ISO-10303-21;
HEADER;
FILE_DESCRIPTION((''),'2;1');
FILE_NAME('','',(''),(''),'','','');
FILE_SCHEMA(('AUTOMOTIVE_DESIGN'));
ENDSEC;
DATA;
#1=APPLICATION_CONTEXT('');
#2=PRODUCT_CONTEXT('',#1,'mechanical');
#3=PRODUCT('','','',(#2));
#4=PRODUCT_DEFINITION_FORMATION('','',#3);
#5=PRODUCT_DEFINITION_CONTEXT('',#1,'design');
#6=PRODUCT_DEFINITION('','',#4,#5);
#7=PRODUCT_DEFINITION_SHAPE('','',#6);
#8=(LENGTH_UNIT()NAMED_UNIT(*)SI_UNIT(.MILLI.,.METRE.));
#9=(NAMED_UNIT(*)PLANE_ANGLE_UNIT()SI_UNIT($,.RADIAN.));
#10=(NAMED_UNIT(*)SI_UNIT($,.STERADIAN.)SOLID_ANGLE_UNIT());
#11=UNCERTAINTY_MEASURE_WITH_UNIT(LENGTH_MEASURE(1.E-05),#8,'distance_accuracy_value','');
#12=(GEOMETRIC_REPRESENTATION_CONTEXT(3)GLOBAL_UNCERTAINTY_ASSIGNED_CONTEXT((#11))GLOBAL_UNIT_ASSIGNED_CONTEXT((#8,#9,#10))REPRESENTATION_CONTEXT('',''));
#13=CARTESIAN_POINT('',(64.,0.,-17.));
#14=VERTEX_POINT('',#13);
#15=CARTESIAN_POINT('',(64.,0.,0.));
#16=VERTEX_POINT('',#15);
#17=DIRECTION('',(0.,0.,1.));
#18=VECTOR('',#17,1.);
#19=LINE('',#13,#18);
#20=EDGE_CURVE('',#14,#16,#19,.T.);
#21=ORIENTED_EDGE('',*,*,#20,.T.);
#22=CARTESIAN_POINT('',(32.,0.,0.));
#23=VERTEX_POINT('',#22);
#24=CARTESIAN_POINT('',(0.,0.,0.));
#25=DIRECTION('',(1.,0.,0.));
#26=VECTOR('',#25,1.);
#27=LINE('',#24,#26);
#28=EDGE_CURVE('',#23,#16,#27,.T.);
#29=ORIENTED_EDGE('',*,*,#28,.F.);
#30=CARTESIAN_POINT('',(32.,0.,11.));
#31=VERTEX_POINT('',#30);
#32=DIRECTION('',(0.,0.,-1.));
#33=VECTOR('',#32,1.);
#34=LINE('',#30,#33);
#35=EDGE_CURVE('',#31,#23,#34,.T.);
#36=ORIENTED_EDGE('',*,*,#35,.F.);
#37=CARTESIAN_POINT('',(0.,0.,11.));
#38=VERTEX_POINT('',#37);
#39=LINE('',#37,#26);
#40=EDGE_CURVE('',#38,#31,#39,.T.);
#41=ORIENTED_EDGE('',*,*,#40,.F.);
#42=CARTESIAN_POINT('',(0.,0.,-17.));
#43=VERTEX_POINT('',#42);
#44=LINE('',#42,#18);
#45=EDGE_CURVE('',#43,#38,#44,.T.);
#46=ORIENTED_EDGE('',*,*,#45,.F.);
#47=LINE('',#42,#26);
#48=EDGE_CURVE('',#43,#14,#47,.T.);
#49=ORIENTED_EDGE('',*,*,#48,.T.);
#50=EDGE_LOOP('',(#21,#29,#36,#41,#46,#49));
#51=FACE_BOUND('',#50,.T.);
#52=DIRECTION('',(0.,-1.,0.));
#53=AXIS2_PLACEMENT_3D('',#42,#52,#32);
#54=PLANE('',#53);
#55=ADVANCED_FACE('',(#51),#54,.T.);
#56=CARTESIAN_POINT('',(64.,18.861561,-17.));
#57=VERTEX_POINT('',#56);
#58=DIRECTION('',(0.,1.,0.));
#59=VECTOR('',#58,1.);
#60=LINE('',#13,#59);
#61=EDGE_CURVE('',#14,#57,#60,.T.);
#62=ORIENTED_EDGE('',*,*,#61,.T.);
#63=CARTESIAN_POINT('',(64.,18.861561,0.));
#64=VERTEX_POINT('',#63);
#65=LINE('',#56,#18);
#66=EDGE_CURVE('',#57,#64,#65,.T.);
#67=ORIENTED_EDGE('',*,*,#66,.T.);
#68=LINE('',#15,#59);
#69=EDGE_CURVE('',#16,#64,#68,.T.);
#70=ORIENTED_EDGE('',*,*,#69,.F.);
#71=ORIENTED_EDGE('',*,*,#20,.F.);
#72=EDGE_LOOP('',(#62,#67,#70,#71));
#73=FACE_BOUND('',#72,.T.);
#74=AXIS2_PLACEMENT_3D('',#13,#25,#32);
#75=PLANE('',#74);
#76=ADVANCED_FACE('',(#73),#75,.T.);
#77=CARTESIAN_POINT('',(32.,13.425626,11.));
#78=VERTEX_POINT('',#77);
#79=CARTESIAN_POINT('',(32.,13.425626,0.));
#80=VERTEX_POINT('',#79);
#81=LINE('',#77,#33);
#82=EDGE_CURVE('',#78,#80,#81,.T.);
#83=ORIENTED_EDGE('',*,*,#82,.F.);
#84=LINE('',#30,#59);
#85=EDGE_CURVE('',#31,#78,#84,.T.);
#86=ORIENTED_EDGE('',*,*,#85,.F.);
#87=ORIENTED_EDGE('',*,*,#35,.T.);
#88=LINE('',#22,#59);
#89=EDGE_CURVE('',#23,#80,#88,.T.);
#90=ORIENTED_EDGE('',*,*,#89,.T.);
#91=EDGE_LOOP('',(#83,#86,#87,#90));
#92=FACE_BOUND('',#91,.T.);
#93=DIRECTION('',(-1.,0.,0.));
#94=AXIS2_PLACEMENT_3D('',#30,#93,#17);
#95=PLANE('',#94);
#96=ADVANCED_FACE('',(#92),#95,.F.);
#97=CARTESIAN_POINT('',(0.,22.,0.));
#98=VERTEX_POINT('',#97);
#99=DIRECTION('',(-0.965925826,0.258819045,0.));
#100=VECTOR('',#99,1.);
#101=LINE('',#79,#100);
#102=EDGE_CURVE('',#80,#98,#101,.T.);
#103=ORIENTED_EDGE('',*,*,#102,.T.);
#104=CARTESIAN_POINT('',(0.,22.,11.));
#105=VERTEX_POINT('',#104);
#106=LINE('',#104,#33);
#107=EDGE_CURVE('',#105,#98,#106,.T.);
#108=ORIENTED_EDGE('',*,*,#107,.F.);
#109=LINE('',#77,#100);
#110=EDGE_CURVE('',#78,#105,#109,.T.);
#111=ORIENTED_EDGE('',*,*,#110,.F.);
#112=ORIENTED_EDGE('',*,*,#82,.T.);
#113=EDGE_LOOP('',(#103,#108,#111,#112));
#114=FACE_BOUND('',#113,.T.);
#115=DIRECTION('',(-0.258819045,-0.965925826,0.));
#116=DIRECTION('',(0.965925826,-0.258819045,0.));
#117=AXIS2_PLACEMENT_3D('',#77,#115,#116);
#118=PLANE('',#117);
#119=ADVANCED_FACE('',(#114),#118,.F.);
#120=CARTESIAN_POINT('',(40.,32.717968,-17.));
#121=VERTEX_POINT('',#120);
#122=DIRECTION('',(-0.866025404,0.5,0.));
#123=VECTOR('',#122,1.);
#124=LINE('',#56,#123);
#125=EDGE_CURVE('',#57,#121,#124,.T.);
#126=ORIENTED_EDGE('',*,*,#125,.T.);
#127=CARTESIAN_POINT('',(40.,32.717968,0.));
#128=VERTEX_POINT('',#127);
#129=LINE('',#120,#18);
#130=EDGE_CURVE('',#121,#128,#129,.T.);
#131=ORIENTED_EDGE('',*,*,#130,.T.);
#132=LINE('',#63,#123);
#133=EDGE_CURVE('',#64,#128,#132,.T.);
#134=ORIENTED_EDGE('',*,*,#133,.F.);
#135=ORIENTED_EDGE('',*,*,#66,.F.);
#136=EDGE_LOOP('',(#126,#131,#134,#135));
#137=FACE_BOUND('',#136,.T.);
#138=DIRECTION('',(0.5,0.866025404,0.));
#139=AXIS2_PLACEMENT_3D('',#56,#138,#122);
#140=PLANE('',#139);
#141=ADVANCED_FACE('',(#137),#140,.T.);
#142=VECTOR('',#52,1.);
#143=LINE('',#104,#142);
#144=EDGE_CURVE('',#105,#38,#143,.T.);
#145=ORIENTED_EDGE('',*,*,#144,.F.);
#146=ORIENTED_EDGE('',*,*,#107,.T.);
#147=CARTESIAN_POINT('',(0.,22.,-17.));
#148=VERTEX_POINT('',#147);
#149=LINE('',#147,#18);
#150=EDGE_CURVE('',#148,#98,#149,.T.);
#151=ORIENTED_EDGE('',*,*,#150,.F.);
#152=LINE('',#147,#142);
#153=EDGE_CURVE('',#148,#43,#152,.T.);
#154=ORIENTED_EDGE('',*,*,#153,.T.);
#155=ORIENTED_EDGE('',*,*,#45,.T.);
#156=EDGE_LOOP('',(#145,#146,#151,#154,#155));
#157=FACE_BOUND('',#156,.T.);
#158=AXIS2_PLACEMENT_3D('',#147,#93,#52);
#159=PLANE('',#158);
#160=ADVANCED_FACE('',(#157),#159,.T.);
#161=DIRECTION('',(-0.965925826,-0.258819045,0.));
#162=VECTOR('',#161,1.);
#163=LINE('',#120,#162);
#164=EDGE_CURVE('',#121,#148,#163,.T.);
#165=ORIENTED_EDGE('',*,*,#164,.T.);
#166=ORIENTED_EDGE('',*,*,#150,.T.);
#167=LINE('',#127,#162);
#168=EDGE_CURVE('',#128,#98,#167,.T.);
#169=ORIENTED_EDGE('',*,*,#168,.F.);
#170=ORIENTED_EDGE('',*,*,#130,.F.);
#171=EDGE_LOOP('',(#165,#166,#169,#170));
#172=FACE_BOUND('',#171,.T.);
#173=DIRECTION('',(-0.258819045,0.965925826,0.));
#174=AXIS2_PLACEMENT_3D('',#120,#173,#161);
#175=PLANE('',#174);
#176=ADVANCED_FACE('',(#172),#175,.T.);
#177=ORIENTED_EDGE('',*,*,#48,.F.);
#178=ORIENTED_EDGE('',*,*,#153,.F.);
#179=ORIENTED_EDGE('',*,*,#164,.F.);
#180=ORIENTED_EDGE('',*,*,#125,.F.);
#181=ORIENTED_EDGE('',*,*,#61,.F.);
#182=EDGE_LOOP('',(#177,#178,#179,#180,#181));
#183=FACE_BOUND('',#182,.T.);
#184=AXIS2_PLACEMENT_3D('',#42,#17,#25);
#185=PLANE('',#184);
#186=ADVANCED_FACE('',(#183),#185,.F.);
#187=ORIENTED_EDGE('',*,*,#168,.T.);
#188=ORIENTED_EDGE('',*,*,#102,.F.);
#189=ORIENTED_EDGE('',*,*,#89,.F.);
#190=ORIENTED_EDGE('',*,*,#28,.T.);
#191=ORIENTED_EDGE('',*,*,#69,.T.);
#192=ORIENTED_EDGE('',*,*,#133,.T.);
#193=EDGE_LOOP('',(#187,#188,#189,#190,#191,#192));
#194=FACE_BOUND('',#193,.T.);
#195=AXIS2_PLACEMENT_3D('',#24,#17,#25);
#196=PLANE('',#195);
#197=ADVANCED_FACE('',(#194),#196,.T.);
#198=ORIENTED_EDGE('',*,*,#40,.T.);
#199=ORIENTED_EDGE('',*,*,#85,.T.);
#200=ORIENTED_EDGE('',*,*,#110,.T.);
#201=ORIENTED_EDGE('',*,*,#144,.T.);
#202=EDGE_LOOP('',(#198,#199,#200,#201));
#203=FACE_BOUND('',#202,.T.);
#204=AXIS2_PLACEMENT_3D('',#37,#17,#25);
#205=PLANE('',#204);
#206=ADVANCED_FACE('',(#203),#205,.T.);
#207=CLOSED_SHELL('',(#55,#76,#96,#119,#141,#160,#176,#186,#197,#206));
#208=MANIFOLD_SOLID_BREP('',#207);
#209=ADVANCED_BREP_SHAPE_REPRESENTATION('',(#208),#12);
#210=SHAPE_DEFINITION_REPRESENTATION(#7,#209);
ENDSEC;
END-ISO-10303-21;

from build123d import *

# Parameters (mm, degrees)
EXTRUDE_3_DEPTH = 17
EXTRUDE_4_DEPTH = 11


with BuildPart() as part:
    # 草圖3 → 填料-伸長3 (new body)
    with BuildSketch(Plane.XY):
        Polygon((0, 0), (64, 0), (64, 18.861561237), (40, 32.717967697), (0, 22), align=None)
    extrude(amount=-EXTRUDE_3_DEPTH)

    # 草圖4 → 填料-伸長4 (add)
    with BuildSketch(Plane.XY):
        Polygon((0, 0), (32, 0), (32, 13.425625842), (0, 22), align=None)
    extrude(amount=EXTRUDE_4_DEPTH)


solid = part.part
